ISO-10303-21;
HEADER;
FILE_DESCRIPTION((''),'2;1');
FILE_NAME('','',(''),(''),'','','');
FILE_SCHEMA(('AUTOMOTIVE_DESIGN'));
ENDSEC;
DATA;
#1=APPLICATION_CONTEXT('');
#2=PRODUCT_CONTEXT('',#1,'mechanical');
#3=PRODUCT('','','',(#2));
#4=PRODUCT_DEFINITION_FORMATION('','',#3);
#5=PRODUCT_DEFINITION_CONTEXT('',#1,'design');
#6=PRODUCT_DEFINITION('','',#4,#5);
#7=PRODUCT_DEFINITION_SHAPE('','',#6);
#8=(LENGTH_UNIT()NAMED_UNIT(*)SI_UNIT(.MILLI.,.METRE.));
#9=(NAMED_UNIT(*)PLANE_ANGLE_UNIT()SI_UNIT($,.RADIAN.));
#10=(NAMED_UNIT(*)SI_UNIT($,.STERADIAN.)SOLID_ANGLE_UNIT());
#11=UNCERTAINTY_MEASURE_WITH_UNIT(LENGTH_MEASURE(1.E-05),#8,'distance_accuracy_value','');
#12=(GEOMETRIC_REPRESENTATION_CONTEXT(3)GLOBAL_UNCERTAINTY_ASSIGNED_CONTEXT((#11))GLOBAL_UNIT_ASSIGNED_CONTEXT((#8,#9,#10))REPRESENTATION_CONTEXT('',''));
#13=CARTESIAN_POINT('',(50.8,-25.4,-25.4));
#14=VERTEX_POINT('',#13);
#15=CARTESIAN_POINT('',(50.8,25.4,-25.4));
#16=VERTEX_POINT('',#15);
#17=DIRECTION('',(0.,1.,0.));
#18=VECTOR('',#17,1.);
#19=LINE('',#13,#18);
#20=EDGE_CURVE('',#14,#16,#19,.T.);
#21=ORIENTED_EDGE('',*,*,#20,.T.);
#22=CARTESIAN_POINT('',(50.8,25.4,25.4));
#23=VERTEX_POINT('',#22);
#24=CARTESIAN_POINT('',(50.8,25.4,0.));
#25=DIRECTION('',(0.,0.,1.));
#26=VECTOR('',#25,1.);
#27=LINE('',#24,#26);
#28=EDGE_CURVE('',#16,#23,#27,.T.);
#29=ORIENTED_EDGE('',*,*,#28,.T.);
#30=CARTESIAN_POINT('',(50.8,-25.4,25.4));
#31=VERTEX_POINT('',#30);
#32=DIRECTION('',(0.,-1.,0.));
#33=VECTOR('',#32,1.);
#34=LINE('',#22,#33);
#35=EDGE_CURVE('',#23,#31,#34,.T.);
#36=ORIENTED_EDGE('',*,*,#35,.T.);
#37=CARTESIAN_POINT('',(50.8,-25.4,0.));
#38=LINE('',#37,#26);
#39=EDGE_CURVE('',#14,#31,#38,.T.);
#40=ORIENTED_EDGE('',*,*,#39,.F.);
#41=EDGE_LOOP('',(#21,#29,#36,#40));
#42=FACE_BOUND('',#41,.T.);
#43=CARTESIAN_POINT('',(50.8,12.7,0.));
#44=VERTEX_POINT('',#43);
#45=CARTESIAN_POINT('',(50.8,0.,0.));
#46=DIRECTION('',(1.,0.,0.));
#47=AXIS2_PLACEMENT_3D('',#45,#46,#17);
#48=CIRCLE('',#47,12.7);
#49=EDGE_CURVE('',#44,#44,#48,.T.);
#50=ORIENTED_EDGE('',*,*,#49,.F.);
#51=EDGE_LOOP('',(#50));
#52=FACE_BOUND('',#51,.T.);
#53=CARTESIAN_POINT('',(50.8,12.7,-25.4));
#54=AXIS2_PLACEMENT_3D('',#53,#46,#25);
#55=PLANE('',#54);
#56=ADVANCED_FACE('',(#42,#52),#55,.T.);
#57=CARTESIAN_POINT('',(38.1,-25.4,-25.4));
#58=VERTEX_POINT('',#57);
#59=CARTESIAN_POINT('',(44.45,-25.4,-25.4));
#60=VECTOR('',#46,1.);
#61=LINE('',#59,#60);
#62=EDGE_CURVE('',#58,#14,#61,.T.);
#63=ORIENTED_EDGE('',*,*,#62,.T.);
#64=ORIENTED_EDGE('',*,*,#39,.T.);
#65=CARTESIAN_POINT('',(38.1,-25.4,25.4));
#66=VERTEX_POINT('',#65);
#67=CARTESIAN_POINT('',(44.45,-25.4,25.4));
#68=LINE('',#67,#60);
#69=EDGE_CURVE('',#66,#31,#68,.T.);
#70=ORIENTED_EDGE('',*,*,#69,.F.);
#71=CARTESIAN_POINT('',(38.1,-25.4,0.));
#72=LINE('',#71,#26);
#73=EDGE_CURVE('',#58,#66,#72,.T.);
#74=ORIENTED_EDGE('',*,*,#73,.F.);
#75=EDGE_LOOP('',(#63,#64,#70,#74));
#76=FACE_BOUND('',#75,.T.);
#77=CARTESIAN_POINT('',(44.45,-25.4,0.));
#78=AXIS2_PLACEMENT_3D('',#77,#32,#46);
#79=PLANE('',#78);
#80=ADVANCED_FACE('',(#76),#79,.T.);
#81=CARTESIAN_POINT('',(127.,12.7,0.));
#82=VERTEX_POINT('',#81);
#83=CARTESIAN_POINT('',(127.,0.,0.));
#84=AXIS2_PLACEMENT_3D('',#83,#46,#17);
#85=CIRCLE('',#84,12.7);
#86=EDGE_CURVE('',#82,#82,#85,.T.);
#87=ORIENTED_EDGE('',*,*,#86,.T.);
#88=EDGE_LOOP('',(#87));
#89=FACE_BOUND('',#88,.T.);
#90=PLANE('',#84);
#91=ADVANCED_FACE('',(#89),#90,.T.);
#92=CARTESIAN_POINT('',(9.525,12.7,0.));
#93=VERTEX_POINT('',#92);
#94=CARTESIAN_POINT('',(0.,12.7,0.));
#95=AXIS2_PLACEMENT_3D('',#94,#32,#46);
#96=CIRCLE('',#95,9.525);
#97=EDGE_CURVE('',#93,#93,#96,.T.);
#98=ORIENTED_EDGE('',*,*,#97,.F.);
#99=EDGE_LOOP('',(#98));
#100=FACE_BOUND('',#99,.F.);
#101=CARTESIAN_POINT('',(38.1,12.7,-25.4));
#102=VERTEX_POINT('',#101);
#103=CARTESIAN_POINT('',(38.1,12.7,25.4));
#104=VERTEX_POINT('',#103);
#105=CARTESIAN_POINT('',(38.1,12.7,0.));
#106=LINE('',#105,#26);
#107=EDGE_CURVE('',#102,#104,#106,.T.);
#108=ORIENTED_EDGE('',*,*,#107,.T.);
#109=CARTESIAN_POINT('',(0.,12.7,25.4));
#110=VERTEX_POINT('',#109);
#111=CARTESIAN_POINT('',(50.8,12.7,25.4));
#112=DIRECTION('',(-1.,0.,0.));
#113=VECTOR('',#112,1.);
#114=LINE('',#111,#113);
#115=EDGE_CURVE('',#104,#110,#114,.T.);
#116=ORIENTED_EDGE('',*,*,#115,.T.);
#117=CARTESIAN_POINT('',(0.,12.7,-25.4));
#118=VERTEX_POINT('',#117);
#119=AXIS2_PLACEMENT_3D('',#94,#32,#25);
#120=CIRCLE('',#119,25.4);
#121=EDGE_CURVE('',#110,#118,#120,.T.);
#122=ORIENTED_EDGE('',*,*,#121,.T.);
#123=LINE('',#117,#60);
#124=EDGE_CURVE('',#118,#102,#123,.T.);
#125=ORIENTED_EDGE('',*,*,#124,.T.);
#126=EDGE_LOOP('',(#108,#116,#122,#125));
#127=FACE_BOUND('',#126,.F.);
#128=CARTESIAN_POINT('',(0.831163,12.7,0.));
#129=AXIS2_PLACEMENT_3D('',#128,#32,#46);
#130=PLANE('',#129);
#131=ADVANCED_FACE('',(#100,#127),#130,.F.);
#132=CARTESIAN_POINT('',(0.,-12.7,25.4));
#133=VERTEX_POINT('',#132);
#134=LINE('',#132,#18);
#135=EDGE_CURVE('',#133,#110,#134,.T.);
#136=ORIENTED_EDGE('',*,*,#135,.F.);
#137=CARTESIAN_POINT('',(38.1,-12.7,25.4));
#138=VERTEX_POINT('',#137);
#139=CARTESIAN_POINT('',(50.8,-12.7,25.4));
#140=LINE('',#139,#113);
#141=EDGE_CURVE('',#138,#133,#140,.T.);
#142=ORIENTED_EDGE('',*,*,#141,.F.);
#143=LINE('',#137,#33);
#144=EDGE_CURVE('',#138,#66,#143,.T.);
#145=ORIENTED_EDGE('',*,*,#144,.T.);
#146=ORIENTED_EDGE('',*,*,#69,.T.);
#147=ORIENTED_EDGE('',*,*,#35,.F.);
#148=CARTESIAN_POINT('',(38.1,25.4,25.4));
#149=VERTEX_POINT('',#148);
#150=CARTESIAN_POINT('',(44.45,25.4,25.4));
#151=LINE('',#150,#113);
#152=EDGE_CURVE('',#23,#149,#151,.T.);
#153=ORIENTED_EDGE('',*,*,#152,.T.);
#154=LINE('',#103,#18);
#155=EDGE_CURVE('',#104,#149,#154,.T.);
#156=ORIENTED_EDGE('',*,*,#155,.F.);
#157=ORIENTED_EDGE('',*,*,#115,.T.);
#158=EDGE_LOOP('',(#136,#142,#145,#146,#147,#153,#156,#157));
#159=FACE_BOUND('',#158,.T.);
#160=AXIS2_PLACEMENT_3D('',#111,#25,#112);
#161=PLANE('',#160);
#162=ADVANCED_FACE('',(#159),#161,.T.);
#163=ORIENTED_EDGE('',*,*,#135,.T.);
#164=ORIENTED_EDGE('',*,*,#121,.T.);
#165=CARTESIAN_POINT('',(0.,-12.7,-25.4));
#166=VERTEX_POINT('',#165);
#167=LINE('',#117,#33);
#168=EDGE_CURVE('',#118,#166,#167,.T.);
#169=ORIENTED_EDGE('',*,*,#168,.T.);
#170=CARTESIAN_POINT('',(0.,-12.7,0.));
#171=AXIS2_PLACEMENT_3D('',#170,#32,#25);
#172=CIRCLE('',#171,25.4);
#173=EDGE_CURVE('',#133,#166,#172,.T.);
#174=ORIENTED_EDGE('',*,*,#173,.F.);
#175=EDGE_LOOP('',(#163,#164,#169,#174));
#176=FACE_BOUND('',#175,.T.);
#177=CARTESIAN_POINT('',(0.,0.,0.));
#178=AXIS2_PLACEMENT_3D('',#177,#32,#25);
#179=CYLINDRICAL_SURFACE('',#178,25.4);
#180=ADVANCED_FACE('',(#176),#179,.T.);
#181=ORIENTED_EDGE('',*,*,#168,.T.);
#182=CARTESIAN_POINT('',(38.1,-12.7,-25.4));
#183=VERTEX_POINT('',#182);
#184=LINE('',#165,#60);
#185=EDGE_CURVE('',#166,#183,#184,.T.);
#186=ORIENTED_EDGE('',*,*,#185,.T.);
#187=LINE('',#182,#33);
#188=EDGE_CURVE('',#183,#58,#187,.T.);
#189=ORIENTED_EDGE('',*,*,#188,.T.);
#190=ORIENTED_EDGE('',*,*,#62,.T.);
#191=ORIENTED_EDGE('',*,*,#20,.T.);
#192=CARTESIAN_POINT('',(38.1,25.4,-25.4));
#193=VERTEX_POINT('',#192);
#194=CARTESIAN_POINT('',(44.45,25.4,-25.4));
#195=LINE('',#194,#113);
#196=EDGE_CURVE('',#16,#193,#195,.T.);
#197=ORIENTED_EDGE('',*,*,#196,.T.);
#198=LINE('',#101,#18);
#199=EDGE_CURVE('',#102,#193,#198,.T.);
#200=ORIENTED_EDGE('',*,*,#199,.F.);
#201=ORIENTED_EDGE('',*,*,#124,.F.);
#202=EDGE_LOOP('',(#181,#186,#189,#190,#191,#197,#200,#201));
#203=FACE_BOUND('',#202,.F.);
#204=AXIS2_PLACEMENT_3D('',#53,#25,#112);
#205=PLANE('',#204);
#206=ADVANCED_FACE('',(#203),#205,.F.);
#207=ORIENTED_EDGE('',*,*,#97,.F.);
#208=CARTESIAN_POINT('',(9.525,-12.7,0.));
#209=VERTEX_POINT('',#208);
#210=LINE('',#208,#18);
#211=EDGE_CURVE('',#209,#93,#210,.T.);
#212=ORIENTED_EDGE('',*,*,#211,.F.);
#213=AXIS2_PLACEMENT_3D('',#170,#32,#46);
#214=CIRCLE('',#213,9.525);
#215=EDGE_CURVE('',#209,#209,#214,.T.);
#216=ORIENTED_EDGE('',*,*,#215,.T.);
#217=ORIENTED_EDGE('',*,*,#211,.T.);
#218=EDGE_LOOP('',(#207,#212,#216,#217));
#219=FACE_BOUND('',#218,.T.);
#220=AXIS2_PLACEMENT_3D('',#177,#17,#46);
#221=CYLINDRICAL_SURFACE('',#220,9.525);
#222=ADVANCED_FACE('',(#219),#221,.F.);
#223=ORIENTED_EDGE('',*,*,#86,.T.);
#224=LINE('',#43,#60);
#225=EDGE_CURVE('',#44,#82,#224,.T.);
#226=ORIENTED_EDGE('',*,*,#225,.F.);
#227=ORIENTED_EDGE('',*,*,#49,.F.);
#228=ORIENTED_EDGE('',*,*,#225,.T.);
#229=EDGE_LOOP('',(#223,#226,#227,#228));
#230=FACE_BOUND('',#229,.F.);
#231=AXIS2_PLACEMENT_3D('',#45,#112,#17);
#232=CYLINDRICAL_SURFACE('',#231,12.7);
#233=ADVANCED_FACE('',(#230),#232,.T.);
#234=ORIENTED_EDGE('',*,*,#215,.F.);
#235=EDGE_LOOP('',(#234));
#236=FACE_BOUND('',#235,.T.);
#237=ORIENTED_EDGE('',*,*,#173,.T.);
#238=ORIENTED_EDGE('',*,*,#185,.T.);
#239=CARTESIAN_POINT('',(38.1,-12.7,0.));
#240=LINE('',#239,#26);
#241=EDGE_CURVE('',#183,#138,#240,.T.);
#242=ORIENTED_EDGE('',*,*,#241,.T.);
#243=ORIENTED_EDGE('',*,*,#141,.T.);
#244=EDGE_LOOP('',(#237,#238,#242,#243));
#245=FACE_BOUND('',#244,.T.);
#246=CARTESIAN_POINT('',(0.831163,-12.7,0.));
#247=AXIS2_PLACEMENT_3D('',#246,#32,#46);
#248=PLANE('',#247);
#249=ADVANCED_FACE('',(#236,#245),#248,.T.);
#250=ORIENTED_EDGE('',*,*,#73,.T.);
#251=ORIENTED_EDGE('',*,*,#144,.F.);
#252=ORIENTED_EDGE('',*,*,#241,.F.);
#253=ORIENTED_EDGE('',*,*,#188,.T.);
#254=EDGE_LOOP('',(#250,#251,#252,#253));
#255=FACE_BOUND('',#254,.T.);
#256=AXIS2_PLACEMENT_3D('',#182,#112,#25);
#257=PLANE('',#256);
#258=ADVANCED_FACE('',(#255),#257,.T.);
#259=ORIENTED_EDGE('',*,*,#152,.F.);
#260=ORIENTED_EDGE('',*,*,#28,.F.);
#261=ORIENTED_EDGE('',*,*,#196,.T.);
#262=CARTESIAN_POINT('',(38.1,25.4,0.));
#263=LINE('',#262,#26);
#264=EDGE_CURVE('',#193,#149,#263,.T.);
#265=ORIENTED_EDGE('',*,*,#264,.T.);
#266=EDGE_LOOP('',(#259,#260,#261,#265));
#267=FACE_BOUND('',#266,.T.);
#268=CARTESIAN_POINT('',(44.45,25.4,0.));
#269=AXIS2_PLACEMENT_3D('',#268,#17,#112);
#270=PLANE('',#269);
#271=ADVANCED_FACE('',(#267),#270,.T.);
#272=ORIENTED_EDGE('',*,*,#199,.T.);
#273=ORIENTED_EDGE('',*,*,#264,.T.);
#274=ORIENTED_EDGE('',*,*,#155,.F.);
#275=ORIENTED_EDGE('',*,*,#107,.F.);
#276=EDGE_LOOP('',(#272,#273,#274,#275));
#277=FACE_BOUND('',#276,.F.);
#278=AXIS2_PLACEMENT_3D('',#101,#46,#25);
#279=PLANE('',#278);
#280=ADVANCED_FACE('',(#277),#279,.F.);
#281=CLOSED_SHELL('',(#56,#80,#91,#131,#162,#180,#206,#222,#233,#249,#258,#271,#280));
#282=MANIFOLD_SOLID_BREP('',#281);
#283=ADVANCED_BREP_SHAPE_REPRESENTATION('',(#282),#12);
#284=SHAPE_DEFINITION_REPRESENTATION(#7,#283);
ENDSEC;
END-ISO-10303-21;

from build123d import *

# Parameters (mm, degrees)
F0_R     = 9.525
F0_W     = 12.7
F0_H     = 50.8
F1_DEPTH = 12.7
F2_W     = 12.7
F2_H     = 50.8
F3_DEPTH = 12.7
F4_W     = 12.7
F4_H     = 50.8
F5_DEPTH = 12.7
F6_R     = 12.7
F7_DEPTH = 76.2


with BuildPart() as f1:
    # F0 (on Front) → F1 (new body, symmetric)
    with BuildSketch(Plane.XZ):
        with BuildLine():
            ThreePointArc((0, -25.4), (17.960512, -17.960512), (25.4, 0))
            ThreePointArc((25.4, 0), (17.960512, 17.960512), (0, 25.4))
            ThreePointArc((0, 25.4), (-25.4, 0), (0, -25.4))
        make_face()
        Circle(F0_R, mode=Mode.SUBTRACT)
        with BuildLine():
            ThreePointArc((0, 25.4), (17.960512, 17.960512), (25.4, 0))
            ThreePointArc((25.4, 0), (17.960512, -17.960512), (0, -25.4))
            Line((0, -25.4), (38.1, -25.4))
            Line((38.1, -25.4), (38.1, 25.4))
            Line((38.1, 25.4), (0, 25.4))
        make_face()
        with Locations((44.45, 0)):
            Rectangle(F0_W, F0_H)
    extrude(amount=F1_DEPTH, both=True)

    # F2 (on face) → F3 (join)
    with BuildSketch(Plane.XZ.offset(12.7)):
        with Locations((44.45, 0)):
            Rectangle(F2_W, F2_H)
    extrude(amount=F3_DEPTH)

    # F4 (on face) → F5 (join)
    with BuildSketch(Plane(origin=(0, 12.7, 0), x_dir=(-1, 0, 0), z_dir=(0, 1, 0))):
        with Locations((-44.45, 0)):
            Rectangle(F4_W, F4_H)
    extrude(amount=F5_DEPTH)

    # F6 (on face) → F7 (join)
    with BuildSketch(Plane.YZ.offset(50.8)):
        Circle(F6_R)
    extrude(amount=F7_DEPTH)


solid = f1.part
